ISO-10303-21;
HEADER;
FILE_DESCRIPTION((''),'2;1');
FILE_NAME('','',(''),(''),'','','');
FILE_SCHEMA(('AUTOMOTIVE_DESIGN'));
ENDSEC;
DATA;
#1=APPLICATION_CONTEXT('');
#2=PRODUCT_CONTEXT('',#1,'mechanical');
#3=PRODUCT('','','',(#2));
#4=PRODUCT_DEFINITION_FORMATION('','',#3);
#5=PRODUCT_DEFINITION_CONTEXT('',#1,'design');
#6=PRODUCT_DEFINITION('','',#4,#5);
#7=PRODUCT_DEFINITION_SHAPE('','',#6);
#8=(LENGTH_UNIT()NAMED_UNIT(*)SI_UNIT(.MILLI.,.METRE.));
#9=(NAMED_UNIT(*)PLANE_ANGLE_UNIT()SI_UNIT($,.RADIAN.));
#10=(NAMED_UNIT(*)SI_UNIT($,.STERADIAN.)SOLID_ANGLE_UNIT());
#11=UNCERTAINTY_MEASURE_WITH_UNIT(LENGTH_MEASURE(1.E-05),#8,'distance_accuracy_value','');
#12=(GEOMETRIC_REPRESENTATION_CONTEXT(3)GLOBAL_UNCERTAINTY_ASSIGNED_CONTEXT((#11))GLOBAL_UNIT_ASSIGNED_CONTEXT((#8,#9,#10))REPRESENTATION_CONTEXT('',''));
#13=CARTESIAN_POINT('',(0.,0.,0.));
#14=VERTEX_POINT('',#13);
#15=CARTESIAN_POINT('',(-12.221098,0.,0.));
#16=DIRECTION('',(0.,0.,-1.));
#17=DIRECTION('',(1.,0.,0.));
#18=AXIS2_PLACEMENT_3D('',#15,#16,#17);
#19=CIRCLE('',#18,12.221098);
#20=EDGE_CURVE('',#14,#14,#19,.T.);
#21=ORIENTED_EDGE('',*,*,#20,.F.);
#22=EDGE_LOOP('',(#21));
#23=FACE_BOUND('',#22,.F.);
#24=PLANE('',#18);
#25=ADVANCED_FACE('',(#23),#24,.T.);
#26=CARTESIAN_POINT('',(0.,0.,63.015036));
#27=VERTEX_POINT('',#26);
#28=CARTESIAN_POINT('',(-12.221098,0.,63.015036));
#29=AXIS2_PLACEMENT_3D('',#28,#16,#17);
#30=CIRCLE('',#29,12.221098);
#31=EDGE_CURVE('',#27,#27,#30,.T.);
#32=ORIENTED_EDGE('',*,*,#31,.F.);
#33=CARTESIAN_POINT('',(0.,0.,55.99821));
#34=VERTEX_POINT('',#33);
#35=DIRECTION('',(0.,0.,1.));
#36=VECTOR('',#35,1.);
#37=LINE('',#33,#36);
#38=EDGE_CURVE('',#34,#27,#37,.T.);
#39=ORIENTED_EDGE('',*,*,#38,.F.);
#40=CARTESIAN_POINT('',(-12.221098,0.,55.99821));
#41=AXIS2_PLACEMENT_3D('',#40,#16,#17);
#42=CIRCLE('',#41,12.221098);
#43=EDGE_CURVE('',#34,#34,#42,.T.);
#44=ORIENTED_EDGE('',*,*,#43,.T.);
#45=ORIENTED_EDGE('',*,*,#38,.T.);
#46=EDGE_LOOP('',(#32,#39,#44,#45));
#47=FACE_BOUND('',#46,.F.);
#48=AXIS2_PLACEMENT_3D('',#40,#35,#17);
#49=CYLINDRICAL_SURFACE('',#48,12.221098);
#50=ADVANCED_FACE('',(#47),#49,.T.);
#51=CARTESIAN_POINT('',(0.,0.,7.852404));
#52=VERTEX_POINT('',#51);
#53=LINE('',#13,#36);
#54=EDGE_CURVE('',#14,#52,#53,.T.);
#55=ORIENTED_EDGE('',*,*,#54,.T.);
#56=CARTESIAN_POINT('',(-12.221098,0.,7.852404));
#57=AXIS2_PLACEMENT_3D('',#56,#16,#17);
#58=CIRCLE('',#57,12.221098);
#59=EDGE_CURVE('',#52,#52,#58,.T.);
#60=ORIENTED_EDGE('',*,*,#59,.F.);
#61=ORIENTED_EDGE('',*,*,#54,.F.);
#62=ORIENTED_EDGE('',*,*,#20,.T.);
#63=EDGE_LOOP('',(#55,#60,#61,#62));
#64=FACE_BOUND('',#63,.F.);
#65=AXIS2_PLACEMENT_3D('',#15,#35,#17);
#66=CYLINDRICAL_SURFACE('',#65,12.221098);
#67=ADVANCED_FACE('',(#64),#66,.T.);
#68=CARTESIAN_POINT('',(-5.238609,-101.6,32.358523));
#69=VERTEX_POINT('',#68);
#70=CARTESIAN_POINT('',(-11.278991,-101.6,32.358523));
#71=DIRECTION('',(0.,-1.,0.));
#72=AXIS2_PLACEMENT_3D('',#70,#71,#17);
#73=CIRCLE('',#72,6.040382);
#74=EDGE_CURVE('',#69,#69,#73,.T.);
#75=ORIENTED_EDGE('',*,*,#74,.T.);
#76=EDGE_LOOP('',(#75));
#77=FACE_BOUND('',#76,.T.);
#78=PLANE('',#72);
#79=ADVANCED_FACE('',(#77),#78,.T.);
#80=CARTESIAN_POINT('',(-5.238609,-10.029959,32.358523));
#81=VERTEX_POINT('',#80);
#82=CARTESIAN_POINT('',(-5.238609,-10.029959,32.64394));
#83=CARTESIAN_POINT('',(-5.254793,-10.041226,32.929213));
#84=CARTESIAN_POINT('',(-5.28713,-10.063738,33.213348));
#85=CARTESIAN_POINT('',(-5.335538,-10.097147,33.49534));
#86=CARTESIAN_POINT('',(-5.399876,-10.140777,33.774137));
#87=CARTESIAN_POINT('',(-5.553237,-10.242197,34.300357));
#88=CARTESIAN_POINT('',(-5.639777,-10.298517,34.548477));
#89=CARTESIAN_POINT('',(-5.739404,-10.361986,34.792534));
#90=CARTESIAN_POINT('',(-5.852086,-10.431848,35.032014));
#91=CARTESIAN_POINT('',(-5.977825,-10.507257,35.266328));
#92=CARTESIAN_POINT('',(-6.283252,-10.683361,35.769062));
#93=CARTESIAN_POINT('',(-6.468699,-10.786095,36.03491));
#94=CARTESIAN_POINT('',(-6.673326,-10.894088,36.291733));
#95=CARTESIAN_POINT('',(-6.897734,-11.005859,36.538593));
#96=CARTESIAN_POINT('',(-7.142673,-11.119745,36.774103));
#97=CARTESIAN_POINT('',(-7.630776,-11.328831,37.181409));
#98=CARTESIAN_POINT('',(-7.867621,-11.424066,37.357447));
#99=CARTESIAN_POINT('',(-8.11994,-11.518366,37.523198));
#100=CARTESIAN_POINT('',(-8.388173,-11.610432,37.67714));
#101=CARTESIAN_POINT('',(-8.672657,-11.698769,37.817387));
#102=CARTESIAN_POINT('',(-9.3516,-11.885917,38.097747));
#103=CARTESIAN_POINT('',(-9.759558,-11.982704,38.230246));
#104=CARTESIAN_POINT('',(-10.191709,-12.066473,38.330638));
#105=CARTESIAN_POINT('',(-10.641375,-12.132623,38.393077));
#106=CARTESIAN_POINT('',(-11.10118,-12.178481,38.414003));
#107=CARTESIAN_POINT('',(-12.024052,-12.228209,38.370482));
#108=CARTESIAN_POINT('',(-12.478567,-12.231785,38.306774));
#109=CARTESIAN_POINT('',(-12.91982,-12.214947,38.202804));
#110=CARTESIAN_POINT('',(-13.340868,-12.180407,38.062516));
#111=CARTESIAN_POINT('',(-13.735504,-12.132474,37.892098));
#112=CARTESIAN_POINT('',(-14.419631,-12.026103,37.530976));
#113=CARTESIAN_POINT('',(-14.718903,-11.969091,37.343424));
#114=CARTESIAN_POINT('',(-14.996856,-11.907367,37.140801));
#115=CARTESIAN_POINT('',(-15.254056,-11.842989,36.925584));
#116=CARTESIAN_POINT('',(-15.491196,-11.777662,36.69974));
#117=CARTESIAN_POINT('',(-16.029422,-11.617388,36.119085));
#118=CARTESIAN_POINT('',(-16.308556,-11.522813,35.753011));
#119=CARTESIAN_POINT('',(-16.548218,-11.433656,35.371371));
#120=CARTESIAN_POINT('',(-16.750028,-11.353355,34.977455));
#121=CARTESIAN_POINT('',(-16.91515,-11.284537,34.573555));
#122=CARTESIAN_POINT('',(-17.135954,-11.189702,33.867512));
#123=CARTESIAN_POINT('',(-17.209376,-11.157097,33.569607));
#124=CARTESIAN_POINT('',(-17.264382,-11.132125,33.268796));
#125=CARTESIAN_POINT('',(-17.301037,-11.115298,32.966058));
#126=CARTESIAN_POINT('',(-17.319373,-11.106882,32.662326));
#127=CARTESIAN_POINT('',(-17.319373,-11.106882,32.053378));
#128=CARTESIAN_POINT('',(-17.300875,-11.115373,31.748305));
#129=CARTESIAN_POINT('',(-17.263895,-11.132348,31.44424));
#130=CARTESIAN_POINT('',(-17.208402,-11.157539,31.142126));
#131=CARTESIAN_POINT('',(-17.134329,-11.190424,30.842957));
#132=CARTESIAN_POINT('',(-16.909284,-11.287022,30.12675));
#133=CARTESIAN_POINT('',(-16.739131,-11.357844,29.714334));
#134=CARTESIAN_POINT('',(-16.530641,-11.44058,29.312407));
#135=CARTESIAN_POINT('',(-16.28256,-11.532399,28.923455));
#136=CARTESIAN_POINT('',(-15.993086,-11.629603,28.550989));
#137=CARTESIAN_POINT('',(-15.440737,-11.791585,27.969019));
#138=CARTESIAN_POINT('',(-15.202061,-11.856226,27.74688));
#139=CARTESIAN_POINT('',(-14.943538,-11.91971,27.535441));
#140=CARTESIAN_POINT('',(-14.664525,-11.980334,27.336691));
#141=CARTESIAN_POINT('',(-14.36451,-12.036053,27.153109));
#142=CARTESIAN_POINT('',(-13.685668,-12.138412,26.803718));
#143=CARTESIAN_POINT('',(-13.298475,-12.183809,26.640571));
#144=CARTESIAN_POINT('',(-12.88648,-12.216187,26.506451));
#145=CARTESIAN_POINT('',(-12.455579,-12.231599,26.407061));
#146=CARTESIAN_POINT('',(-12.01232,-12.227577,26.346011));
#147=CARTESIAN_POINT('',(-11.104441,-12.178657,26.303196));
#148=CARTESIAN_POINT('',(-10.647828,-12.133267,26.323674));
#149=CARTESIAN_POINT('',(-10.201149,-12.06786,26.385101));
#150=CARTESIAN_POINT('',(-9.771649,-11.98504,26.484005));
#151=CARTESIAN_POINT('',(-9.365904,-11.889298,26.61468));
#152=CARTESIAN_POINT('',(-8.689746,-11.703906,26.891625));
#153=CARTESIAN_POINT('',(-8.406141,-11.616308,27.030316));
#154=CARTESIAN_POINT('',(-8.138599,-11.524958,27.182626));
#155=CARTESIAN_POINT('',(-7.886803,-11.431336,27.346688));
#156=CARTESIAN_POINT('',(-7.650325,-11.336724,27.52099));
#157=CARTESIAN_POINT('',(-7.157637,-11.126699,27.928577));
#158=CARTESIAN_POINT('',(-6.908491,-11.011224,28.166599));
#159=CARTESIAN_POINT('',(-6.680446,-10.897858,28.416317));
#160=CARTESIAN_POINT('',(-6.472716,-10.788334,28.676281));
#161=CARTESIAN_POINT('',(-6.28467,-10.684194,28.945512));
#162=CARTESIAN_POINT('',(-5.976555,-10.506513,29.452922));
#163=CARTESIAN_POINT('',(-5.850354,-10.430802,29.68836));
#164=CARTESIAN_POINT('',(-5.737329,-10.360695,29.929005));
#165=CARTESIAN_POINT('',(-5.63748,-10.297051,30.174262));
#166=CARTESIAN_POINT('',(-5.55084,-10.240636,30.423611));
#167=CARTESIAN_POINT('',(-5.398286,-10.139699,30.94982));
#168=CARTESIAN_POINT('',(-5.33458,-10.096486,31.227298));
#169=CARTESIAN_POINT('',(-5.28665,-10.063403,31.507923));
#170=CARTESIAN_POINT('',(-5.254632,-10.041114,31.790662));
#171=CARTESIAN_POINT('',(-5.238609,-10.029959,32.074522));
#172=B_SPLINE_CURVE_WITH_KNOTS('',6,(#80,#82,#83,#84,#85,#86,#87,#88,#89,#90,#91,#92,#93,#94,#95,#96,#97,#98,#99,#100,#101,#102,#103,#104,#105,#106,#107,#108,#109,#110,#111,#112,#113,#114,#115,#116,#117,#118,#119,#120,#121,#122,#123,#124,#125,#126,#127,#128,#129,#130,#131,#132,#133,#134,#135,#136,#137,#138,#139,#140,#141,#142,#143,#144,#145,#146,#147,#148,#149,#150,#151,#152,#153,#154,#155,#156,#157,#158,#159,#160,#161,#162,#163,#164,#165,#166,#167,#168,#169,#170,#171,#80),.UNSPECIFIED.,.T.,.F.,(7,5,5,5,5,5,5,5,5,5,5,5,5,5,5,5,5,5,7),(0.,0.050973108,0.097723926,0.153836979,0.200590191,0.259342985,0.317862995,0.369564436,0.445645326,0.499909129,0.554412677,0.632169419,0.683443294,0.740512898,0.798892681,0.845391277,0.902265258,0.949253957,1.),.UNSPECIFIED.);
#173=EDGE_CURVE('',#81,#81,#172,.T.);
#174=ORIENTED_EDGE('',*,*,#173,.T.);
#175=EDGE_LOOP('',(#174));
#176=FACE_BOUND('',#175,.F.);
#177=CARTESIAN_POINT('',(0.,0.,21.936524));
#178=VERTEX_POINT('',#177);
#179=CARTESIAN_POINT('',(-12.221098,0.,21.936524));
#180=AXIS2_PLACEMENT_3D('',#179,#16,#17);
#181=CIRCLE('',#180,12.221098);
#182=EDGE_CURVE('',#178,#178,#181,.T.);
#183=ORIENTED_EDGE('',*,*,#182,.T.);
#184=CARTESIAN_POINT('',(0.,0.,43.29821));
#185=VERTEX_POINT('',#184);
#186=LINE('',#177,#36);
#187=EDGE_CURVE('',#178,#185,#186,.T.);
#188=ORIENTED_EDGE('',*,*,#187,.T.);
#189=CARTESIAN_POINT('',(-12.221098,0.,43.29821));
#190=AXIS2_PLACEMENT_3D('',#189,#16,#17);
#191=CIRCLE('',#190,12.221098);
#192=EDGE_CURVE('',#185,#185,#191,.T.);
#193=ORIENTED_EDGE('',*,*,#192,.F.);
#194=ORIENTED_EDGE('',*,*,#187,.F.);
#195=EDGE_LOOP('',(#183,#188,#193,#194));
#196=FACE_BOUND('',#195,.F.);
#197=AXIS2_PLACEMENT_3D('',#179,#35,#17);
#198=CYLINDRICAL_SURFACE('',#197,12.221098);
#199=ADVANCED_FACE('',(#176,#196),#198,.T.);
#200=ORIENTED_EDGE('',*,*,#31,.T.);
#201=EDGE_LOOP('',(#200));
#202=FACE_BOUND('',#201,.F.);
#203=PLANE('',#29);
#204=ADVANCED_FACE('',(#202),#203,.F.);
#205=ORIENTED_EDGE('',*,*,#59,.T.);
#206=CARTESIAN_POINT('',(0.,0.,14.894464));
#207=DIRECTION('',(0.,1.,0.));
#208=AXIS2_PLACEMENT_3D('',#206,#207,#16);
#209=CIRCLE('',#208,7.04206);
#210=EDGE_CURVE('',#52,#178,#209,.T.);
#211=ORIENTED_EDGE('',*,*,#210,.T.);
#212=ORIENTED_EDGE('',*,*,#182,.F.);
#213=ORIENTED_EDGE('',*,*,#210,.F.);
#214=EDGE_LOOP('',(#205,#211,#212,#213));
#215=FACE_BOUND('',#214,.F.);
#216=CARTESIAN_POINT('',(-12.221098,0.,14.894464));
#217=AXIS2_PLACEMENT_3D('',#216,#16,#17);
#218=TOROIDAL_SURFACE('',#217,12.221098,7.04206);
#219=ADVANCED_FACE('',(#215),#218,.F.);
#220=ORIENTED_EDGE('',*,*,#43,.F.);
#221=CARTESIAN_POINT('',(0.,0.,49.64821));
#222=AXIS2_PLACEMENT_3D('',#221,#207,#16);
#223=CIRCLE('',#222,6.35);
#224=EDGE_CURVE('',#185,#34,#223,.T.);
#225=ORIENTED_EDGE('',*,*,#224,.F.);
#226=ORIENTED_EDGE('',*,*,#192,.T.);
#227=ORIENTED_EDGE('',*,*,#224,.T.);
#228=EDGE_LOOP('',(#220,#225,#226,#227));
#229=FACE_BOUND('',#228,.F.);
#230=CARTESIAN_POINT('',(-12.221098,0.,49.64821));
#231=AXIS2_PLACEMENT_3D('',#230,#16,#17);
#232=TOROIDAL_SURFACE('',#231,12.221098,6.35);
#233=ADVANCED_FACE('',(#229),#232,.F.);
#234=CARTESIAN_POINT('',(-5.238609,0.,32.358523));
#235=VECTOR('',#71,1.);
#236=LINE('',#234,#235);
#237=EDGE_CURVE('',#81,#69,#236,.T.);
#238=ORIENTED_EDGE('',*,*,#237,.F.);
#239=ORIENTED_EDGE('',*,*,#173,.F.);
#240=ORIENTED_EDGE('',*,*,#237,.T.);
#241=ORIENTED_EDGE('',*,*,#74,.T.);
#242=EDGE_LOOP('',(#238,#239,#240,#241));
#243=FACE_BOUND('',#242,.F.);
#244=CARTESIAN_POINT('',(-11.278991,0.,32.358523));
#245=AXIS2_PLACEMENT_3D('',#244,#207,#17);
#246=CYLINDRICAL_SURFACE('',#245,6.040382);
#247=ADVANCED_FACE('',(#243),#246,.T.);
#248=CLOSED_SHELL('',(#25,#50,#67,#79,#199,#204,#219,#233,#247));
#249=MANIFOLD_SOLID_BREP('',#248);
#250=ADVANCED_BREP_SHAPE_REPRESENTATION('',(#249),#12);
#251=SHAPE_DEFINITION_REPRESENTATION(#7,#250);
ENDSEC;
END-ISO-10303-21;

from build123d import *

# Parameters (mm, degrees)
F2_R     = 6.040382
F3_DEPTH = 101.6


with BuildPart() as f1:
    # F0 (on Front) → F1 (revolve)
    with BuildSketch(Plane.XZ):
        with BuildLine():
            Line((-12.221098, 0), (0, 0))
            Line((0, 0), (0, 7.852404))
            ThreePointArc((0, 7.852404), (-7.04206, 14.894464), (0, 21.936524))
            Line((0, 21.936524), (0, 43.29821))
            ThreePointArc((0, 43.29821), (-6.35, 49.64821), (0, 55.99821))
            Line((0, 55.99821), (0, 63.015036))
            Line((0, 63.015036), (-12.221098, 63.015036))
            Line((-12.221098, 63.015036), (-12.221098, 0))
        make_face()
    revolve(axis=Axis((-12.221098, 0, 31.507518), (0, 0, -1)))

    # F2 (on Front) → F3 (join)
    with BuildSketch(Plane.XZ):
        with Locations((-11.278991, 32.358523)):
            Circle(F2_R)
    extrude(amount=F3_DEPTH)


solid = f1.part
